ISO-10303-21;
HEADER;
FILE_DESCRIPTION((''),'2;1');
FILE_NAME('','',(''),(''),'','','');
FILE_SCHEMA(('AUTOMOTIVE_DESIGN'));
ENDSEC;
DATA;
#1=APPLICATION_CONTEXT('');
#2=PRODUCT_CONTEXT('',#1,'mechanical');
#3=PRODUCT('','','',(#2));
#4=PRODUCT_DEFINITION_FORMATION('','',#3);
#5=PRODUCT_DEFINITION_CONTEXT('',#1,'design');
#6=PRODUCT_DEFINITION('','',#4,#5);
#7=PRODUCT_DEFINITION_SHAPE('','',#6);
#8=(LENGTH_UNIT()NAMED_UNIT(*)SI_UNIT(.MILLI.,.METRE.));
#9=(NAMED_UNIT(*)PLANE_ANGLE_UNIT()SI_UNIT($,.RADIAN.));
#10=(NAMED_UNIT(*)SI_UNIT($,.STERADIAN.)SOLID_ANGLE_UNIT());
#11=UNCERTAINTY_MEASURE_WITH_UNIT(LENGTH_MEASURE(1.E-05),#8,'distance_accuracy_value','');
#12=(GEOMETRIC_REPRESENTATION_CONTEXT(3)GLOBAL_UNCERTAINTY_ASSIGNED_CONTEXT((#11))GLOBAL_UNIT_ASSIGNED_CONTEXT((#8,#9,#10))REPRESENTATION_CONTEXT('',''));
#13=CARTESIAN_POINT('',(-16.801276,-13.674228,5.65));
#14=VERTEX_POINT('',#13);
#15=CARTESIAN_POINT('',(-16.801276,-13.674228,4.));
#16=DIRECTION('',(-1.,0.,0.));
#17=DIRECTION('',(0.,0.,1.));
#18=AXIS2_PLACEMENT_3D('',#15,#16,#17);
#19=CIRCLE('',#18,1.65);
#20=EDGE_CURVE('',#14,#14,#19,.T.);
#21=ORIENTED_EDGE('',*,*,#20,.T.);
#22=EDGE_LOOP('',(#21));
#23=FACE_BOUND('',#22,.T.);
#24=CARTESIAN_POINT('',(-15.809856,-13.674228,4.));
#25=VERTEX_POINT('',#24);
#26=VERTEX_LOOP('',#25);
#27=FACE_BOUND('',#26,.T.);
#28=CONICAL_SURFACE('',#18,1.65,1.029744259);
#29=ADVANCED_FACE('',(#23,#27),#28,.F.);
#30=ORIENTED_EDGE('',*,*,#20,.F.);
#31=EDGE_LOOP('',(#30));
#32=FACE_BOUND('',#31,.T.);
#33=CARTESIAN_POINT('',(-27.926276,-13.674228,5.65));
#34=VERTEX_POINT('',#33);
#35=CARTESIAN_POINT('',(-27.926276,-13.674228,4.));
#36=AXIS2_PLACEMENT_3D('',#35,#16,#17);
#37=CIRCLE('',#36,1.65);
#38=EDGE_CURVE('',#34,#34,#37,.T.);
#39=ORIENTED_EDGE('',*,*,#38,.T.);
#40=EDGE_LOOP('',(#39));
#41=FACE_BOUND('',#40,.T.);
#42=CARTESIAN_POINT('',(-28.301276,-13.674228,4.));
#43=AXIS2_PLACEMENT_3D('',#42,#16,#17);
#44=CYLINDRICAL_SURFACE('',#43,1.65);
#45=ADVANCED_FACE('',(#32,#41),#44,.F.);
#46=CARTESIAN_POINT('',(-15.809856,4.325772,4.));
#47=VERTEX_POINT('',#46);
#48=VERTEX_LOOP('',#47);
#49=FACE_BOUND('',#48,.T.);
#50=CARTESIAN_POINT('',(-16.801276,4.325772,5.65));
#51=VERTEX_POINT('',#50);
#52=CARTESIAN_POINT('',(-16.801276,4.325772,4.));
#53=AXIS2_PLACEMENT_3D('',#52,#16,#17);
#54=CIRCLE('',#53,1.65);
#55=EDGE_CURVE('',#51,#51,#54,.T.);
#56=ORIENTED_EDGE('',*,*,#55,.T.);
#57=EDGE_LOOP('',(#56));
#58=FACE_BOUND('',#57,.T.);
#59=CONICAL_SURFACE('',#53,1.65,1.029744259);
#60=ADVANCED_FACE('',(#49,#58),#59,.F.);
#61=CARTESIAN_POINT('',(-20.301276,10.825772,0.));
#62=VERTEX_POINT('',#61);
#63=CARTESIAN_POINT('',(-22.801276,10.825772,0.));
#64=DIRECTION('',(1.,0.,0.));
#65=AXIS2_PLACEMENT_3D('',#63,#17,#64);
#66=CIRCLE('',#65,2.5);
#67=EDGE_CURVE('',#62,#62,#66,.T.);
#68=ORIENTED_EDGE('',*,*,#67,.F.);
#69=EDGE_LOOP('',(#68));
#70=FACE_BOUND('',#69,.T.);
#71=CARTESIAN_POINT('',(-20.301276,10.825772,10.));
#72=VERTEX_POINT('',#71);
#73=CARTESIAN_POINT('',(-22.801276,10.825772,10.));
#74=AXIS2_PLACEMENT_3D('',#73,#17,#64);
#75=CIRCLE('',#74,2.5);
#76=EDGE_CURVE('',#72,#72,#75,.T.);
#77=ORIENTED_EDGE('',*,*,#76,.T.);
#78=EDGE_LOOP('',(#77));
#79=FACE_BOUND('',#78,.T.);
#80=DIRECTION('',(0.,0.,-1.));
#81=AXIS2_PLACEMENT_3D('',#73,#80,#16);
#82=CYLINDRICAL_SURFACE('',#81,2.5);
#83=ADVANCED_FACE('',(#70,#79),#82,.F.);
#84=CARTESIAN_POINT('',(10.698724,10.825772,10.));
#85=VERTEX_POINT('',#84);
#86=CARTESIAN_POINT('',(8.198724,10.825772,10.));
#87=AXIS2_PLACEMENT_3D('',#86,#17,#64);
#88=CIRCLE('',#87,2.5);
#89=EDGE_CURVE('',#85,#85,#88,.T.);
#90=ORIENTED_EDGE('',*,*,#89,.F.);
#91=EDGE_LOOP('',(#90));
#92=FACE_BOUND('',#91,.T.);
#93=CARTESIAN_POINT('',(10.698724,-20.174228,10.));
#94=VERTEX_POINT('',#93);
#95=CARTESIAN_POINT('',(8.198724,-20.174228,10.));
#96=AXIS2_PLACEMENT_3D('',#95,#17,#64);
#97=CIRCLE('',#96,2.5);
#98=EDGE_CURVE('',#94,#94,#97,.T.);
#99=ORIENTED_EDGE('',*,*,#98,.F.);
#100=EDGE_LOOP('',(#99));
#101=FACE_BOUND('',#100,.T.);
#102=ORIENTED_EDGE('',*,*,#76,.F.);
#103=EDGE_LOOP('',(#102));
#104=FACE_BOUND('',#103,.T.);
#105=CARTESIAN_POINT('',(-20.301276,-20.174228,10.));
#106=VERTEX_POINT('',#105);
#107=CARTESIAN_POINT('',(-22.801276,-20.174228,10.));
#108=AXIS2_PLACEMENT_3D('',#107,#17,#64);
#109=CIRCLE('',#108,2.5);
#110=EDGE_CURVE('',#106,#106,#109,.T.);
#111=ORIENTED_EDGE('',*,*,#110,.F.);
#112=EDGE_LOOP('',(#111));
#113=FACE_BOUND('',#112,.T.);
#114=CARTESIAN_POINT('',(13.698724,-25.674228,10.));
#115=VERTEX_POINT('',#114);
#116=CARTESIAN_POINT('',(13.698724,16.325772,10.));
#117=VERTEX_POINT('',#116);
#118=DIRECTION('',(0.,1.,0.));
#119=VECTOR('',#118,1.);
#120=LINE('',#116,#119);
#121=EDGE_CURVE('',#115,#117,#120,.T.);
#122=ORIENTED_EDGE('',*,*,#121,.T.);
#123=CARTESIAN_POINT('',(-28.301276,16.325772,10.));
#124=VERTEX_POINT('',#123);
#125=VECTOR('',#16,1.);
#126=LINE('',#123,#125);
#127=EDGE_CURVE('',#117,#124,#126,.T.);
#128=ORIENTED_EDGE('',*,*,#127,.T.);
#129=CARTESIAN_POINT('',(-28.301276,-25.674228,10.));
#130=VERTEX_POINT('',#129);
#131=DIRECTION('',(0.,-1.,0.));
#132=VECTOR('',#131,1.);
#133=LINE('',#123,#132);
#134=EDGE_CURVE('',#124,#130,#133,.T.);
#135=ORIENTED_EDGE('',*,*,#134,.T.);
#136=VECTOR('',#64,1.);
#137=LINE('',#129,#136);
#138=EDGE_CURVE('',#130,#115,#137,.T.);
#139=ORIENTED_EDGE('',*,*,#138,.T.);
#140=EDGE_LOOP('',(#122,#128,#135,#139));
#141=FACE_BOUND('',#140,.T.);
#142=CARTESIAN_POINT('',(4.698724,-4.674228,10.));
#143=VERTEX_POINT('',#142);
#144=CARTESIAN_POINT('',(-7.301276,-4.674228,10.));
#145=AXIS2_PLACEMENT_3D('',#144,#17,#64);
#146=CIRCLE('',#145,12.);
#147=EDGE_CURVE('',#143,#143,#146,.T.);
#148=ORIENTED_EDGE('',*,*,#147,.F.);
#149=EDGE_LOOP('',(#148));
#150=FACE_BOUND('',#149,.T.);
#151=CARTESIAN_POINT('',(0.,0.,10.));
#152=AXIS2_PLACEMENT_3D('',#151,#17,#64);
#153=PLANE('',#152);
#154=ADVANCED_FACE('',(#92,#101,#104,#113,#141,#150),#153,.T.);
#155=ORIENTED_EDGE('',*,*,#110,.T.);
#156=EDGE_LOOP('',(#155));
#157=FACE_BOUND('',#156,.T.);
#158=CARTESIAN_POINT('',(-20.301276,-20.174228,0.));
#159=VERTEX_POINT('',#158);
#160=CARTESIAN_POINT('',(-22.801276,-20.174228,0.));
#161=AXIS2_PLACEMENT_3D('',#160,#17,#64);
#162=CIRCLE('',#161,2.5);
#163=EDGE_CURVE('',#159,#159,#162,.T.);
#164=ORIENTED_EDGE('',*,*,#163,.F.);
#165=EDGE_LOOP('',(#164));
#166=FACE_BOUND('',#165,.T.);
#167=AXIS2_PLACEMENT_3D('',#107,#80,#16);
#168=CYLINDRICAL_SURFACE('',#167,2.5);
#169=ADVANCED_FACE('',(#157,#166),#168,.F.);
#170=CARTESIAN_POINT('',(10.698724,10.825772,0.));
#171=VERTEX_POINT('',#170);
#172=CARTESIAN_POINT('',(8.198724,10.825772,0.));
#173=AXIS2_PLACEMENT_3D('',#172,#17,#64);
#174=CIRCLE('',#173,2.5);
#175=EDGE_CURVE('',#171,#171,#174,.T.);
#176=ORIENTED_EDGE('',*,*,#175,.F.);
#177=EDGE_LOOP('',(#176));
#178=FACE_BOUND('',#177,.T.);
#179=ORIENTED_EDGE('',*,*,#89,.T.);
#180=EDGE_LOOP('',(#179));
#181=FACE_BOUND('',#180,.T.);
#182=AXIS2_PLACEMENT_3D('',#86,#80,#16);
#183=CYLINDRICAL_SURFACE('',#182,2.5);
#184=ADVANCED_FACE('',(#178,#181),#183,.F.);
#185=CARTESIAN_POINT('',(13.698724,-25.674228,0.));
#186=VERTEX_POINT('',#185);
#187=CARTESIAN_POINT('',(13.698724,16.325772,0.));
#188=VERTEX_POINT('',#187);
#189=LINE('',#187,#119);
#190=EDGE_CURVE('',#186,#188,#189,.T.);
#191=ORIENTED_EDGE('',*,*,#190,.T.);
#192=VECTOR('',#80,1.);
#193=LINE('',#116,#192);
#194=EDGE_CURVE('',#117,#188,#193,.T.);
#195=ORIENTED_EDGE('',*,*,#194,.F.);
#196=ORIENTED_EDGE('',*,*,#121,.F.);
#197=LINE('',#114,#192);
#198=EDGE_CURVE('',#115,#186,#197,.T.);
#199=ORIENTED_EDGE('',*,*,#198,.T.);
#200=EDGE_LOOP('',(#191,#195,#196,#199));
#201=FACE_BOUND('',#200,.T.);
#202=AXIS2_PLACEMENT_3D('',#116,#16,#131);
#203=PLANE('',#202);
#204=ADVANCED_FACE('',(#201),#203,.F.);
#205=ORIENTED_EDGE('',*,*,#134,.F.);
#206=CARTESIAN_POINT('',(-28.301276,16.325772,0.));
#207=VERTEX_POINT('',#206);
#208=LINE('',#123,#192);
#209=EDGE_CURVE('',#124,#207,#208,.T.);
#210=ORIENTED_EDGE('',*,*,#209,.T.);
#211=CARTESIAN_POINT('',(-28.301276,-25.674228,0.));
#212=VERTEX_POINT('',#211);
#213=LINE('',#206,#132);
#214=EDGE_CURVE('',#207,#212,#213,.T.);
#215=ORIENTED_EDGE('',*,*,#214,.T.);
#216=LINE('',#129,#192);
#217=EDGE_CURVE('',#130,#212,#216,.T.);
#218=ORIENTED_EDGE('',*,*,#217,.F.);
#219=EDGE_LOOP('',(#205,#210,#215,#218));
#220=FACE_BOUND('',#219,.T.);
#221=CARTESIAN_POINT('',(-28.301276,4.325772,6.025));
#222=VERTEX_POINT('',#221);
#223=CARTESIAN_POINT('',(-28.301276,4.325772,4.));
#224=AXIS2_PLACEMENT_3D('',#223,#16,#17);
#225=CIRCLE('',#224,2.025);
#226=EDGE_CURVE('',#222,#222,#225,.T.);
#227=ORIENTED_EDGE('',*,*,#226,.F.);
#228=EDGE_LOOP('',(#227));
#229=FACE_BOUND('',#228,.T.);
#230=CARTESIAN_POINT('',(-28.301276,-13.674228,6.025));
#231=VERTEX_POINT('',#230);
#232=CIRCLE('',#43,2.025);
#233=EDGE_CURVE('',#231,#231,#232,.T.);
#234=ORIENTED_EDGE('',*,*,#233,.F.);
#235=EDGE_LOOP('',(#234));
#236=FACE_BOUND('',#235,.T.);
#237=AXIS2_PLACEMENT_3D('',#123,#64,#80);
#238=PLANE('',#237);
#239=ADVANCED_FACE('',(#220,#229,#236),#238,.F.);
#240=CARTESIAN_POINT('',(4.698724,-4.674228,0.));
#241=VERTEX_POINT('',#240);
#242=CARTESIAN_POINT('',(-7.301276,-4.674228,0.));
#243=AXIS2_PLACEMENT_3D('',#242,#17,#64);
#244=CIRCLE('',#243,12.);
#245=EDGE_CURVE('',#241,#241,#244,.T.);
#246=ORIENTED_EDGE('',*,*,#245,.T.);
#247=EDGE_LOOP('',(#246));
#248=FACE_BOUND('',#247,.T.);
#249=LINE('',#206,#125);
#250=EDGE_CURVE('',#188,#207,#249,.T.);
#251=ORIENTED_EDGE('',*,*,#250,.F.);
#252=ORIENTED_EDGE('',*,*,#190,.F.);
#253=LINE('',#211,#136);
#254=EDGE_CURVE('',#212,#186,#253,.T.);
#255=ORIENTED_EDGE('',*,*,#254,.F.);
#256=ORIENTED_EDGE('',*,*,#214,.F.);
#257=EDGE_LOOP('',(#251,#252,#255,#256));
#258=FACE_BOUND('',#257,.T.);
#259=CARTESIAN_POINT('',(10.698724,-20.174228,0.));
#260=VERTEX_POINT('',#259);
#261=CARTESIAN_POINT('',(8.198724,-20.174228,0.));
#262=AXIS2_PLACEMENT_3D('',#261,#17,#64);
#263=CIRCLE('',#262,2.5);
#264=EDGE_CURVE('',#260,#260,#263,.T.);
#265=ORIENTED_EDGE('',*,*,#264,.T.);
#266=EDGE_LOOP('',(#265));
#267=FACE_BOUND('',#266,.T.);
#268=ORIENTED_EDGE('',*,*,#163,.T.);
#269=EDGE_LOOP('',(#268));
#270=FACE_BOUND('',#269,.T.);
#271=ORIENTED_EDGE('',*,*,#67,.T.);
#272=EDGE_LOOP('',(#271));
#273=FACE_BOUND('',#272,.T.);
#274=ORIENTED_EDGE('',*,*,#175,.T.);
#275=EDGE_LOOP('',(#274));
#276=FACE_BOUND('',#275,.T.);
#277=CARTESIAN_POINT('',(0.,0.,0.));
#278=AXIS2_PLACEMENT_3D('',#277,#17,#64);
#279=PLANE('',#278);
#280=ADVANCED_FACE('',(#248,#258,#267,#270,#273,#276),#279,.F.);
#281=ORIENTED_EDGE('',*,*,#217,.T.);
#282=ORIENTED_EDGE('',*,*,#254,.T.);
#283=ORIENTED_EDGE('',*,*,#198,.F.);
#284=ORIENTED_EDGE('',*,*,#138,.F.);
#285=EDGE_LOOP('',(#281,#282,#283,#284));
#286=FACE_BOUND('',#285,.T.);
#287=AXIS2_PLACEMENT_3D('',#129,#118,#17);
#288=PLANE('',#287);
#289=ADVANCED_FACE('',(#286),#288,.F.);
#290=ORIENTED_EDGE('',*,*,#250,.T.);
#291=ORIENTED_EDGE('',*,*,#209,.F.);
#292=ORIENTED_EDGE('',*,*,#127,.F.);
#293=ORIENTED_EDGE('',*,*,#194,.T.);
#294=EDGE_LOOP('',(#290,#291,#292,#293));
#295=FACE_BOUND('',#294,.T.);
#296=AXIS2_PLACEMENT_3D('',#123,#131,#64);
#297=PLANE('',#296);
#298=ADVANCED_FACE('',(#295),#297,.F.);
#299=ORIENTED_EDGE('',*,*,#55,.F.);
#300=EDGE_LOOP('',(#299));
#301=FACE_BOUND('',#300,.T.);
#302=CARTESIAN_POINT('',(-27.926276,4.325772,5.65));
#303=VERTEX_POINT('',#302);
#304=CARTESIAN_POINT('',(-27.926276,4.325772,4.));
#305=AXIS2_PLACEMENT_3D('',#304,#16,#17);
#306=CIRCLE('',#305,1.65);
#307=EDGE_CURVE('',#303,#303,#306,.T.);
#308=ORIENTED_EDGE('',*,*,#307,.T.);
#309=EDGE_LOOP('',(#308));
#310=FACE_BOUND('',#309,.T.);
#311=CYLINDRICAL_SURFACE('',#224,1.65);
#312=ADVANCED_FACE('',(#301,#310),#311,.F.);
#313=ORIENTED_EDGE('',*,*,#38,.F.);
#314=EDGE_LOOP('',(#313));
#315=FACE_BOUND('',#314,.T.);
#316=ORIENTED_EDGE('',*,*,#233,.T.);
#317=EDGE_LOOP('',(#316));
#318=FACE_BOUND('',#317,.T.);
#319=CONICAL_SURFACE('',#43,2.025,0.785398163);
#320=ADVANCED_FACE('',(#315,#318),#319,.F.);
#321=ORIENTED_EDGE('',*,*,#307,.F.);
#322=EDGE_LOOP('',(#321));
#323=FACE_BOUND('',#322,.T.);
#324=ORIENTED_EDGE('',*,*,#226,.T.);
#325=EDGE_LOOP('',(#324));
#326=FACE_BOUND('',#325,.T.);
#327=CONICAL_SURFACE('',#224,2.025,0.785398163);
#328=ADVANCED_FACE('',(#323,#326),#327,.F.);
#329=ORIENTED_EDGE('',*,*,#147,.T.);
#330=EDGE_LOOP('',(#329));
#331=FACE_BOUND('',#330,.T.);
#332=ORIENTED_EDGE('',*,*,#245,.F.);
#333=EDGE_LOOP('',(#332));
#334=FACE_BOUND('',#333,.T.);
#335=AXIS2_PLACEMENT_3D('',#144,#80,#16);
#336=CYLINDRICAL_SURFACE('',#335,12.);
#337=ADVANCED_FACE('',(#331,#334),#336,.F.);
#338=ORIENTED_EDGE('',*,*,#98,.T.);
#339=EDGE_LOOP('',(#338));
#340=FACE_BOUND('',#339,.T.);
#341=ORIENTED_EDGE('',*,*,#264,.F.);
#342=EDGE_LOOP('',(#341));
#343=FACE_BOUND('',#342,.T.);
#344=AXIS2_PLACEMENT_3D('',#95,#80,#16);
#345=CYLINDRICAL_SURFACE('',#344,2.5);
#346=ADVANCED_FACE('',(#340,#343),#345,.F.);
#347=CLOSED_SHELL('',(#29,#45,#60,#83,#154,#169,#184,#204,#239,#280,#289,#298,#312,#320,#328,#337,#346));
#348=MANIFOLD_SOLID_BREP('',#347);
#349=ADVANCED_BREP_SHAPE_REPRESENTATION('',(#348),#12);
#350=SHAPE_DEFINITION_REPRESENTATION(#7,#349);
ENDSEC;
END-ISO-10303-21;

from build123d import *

# Parameters (mm, degrees)
SKIZZE1_W                       = 42
SKIZZE1_H                       = 42
SKIZZE1_R                       = 12
SKIZZE1_R_2                     = 2.5
AUFSATZ_LINEAR_AUSTRAGEN1_DEPTH = 10
SKIZZE2_R                       = 1
SCHNITT_LINEAR_AUSTRAGEN1_DEPTH = 8
M4_GEWINDEBOHRUNG1_D            = 3.3
M4_GEWINDEBOHRUNG1_DEPTH        = 11.5
M4_GEWINDEBOHRUNG1_CSINK_D      = 4.05
M4_GEWINDEBOHRUNG1_CSINK_ANGLE  = 90
M4_GEWINDEBOHRUNG1_TIP          = 0.991420021


with BuildPart() as part:
    # Skizze1 → Aufsatz-Linear austragen1 (new body)
    with BuildSketch(Plane.XY):
        with Locations((-7.301275723, -4.674228082)):
            Rectangle(SKIZZE1_W, SKIZZE1_H)
        with Locations((-7.301275723, -4.674228082)):
            Circle(SKIZZE1_R, mode=Mode.SUBTRACT)
        with Locations((-22.801275723, 10.825771918)):
            Circle(SKIZZE1_R_2, mode=Mode.SUBTRACT)
        with Locations((8.198724277, 10.825771918)):
            Circle(SKIZZE1_R_2, mode=Mode.SUBTRACT)
        with Locations((-22.801275723, -20.174228082)):
            Circle(SKIZZE1_R_2, mode=Mode.SUBTRACT)
        with Locations((8.198724277, -20.174228082)):
            Circle(SKIZZE1_R_2, mode=Mode.SUBTRACT)
    extrude(amount=AUFSATZ_LINEAR_AUSTRAGEN1_DEPTH)

    # Skizze2 → Schnitt-Linear austragen1 (cut)
    with BuildSketch(Plane.ZY.offset(28.301275723)):
        with Locations((4, 4.325771918)):
            Circle(SKIZZE2_R)
        with Locations((4, -13.674228082)):
            Circle(SKIZZE2_R)
    extrude(amount=-SCHNITT_LINEAR_AUSTRAGEN1_DEPTH, mode=Mode.SUBTRACT)

    # M4 Gewindebohrung1
    with Locations(Plane(origin=(-28.301275723, 4.325771918, 4), x_dir=(0, 0, -1), z_dir=(-1, 0, 0))):
        with Locations((0, 0), (0, 18)):
            CounterSinkHole(M4_GEWINDEBOHRUNG1_D / 2, M4_GEWINDEBOHRUNG1_CSINK_D / 2, depth=M4_GEWINDEBOHRUNG1_DEPTH, counter_sink_angle=M4_GEWINDEBOHRUNG1_CSINK_ANGLE)
            with Locations((0, 0, -(M4_GEWINDEBOHRUNG1_DEPTH + M4_GEWINDEBOHRUNG1_TIP / 2))):  # 118° drill point
                Cone(0, M4_GEWINDEBOHRUNG1_D / 2, M4_GEWINDEBOHRUNG1_TIP, mode=Mode.SUBTRACT)


solid = part.part
